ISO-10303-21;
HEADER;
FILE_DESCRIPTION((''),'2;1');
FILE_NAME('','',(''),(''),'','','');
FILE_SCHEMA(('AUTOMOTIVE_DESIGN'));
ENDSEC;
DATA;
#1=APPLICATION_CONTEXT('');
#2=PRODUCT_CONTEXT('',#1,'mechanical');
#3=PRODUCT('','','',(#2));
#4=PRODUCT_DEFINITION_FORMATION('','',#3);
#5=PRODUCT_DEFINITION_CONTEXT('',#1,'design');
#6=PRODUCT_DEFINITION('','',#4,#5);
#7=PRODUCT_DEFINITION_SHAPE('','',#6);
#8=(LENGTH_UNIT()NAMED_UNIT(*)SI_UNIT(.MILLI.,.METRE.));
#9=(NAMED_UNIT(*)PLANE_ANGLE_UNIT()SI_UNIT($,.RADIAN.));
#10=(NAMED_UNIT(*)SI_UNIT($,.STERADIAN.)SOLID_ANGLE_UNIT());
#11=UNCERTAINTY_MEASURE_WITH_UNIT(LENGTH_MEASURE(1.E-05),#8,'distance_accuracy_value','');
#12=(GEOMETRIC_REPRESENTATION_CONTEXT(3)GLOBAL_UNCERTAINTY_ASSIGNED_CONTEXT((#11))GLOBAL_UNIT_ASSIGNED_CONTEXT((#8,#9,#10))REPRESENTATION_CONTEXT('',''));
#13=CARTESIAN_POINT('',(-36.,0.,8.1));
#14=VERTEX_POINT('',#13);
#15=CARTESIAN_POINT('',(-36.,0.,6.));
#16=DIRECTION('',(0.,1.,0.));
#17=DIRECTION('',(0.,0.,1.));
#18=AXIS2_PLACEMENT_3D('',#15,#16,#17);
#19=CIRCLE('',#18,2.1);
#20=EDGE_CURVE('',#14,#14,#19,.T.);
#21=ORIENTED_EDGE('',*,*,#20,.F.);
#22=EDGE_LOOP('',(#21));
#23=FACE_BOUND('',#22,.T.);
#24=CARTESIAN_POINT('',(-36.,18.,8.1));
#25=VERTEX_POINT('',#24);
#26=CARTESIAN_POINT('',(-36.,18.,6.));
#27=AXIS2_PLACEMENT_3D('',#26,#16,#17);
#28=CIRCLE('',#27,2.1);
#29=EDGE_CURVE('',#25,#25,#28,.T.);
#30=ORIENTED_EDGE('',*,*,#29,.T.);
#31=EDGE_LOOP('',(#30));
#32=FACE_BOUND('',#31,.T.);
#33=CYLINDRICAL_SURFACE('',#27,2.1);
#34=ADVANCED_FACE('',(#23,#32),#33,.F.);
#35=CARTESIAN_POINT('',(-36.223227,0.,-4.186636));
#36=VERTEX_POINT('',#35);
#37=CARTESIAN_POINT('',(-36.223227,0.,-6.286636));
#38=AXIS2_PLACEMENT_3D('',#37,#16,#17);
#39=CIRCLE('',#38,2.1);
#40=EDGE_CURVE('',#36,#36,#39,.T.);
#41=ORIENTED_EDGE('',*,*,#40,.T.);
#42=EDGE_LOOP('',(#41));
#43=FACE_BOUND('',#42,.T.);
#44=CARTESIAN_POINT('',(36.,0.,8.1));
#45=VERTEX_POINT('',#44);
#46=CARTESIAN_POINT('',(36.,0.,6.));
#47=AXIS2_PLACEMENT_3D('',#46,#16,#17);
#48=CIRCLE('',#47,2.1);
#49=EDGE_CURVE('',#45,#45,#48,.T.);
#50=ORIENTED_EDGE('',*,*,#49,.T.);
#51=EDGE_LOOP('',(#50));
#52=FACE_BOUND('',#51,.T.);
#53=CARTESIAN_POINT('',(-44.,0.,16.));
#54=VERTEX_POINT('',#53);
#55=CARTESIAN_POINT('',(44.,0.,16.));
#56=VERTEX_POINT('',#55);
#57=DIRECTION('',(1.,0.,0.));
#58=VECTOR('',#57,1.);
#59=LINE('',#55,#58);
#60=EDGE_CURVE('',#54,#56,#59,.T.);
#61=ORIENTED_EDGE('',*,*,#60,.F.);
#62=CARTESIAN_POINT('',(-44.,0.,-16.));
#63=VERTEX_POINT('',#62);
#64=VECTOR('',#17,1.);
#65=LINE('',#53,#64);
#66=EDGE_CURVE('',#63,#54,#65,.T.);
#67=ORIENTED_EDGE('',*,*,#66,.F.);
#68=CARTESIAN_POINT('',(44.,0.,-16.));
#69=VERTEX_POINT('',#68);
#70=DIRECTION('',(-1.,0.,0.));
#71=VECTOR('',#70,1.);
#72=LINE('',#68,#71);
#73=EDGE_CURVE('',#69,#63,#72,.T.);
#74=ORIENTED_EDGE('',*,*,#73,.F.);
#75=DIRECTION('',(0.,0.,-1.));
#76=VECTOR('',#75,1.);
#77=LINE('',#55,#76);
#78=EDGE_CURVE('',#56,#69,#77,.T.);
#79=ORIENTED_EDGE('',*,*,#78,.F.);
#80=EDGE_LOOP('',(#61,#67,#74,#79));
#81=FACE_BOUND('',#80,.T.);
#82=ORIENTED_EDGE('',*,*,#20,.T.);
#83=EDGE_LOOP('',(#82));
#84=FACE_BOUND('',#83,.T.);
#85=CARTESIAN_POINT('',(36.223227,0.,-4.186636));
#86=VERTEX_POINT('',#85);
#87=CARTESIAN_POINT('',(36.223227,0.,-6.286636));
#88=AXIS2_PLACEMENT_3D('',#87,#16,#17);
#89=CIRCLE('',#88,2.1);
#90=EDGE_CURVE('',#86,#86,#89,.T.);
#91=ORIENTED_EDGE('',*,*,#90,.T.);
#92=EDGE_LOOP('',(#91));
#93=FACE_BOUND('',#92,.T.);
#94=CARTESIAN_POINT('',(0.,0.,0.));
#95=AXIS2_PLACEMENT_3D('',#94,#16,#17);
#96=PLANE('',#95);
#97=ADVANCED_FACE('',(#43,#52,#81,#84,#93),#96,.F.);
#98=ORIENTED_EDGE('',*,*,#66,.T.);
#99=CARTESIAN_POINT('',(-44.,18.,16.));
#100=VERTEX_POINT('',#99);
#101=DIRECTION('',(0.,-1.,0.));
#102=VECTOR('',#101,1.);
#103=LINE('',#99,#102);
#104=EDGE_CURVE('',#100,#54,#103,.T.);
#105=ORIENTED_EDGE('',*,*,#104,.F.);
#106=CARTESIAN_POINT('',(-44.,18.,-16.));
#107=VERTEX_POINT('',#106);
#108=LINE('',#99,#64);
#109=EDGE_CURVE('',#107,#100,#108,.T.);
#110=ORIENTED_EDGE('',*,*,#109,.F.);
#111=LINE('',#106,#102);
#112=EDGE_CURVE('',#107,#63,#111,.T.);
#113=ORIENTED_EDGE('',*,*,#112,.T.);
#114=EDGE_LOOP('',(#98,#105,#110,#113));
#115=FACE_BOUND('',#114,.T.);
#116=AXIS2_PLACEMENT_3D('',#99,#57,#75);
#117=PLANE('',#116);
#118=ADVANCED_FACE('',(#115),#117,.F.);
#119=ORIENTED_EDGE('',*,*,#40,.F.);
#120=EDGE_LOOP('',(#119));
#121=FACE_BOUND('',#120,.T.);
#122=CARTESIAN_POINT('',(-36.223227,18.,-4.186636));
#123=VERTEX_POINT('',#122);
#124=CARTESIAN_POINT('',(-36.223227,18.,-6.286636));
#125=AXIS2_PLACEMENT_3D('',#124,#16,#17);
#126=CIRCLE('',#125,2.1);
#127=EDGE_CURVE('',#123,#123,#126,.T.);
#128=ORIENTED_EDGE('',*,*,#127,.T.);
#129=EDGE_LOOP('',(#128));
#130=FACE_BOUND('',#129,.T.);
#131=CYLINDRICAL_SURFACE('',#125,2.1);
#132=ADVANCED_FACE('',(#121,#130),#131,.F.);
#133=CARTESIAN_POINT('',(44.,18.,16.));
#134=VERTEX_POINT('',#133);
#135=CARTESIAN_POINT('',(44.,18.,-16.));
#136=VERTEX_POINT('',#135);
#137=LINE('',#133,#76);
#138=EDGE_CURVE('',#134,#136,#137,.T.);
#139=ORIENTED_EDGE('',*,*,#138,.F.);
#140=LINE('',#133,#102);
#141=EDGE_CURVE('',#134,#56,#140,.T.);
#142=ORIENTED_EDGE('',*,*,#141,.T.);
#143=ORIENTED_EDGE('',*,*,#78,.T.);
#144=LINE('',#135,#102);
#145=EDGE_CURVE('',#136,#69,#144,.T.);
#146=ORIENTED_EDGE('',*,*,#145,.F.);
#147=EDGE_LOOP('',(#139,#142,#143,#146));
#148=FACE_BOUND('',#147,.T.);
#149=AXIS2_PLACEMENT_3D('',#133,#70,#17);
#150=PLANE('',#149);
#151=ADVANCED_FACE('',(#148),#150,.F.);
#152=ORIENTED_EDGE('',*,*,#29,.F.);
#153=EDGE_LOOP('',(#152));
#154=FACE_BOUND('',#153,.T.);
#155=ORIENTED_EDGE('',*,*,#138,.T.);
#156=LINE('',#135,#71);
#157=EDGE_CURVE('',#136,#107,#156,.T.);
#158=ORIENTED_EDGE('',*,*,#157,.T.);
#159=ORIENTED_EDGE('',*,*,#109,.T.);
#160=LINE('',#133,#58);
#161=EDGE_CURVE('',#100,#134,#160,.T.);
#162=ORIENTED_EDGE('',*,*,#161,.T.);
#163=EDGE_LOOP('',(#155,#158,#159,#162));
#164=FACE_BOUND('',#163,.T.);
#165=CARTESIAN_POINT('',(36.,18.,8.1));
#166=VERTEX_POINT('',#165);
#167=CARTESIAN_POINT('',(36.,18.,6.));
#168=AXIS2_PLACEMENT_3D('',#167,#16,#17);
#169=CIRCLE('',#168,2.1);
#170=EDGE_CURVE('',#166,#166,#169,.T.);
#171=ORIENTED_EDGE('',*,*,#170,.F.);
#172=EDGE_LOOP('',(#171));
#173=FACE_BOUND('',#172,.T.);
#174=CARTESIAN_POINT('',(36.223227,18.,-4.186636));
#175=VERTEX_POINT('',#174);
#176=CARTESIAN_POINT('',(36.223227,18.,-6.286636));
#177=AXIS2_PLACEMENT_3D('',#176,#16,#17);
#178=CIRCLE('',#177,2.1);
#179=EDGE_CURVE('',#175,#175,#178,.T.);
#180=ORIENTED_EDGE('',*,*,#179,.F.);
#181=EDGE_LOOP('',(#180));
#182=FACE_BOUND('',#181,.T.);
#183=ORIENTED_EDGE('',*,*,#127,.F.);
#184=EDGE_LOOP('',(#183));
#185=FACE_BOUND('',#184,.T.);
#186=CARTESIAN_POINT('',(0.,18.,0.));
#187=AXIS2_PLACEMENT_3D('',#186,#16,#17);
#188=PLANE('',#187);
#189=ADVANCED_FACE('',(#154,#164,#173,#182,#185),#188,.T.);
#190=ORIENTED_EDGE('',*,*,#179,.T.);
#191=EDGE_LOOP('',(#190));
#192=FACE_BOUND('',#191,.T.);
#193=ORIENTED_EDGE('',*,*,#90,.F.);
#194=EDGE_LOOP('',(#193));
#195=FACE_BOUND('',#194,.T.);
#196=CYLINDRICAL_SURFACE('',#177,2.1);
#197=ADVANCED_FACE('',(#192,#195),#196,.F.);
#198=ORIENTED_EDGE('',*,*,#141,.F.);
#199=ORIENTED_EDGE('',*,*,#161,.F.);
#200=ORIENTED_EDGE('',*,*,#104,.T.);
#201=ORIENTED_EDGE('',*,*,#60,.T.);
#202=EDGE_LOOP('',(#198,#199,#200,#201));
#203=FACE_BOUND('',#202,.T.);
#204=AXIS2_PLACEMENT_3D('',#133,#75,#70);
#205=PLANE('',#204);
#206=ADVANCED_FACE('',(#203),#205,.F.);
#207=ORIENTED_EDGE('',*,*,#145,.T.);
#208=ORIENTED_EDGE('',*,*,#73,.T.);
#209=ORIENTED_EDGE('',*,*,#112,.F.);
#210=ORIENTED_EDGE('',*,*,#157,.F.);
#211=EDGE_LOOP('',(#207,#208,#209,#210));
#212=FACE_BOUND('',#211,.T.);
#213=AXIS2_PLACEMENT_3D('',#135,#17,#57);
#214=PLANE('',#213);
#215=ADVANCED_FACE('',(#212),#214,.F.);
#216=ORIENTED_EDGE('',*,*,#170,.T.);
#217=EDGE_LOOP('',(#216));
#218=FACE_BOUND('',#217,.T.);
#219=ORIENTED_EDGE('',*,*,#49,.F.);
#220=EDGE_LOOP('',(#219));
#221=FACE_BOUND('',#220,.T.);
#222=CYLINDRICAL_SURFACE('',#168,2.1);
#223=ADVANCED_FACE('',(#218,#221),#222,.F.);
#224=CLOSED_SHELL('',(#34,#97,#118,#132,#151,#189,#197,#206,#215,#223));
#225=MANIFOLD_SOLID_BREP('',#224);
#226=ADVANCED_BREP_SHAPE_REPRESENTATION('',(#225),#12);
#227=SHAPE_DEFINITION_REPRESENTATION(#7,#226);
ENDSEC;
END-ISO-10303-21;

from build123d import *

# Parameters (mm, degrees)
SKETCH2_W           = 88
SKETCH2_H           = 32
BOSS_EXTRUDE1_DEPTH = 18
M5_TAPPED_HOLE1_D   = 4.2


with BuildPart() as part:
    # Sketch2 → Boss-Extrude1 (new body)
    with BuildSketch(Plane(origin=(0, 0, 0), x_dir=(1, 0, 0), z_dir=(0, 1, 0))):
        Rectangle(SKETCH2_W, SKETCH2_H)
    extrude(amount=BOSS_EXTRUDE1_DEPTH)

    # M5 Tapped Hole1 (through all)
    with Locations(Plane(origin=(0, 18, 0), x_dir=(1, 0, 0), z_dir=(0, 1, 0))):
        with Locations((36, -6), (36.22322662, 6.286636286), (-36, -6), (-36.22322662, 6.286636286)):
            Hole(M5_TAPPED_HOLE1_D / 2)


solid = part.part
